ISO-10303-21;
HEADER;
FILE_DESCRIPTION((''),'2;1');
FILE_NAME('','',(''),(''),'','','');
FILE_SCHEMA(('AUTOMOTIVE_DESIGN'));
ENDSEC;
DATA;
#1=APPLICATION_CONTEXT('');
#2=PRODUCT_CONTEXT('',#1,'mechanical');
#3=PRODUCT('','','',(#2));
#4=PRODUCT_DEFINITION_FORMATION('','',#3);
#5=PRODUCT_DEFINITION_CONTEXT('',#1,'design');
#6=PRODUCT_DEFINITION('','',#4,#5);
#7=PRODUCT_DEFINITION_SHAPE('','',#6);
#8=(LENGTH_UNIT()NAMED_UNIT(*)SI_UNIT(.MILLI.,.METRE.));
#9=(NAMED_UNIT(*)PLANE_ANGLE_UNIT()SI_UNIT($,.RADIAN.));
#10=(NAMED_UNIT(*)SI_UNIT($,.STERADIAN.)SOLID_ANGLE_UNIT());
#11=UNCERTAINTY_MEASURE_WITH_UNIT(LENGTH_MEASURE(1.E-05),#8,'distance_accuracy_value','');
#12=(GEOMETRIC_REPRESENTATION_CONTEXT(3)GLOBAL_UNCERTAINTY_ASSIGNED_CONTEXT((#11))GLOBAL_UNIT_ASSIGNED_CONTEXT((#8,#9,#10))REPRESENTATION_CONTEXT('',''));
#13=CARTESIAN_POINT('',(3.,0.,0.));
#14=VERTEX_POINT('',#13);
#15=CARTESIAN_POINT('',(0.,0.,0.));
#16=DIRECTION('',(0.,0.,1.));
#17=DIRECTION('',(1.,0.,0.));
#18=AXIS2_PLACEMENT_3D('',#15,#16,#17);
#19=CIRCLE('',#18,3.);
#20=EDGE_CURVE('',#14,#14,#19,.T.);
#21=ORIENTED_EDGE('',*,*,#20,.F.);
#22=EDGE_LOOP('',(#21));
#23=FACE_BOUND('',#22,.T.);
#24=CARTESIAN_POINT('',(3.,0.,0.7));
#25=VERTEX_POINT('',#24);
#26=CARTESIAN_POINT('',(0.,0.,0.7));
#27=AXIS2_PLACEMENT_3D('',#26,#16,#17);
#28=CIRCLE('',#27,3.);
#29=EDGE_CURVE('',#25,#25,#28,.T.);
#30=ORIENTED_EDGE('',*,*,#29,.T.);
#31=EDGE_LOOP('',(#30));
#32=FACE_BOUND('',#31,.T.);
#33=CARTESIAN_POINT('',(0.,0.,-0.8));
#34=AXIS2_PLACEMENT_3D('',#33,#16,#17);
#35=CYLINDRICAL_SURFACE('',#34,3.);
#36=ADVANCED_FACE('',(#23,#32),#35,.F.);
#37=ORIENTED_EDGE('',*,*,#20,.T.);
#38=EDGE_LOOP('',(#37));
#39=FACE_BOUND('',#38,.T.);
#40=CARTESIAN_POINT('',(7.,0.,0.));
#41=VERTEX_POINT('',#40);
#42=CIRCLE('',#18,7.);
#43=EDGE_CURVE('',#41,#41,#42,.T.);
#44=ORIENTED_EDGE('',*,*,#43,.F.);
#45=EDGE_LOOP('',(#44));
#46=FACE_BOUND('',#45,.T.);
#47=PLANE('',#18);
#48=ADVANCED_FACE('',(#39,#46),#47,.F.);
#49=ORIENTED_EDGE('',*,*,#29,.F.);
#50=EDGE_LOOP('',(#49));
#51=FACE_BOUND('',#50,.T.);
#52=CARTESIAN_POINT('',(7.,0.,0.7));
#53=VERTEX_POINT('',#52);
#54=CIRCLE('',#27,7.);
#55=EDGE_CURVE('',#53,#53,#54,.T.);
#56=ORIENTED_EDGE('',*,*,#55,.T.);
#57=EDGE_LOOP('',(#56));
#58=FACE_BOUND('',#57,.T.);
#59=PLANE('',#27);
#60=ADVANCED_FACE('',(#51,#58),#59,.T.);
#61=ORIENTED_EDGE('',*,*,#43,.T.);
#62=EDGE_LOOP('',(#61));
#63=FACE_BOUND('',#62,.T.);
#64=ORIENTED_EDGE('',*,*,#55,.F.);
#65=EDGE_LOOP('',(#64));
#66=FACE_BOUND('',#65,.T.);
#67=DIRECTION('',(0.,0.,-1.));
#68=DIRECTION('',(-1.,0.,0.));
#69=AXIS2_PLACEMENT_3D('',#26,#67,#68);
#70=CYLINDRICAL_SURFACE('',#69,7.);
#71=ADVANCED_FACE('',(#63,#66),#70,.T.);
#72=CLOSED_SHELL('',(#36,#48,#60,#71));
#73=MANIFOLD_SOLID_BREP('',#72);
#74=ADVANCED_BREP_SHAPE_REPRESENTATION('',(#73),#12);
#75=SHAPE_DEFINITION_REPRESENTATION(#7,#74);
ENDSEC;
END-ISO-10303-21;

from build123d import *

# Parameters (mm, degrees)
ESQUISSE1_R             = 7
BOSS_EXTRU_1_DEPTH      = 0.7
ESQUISSE2_R             = 3
ENL_V_MAT_EXTRU_1_DEPTH = 1.5


with BuildPart() as part:
    # Esquisse1 → Boss.-Extru.1 (new body)
    with BuildSketch(Plane.XY):
        Circle(ESQUISSE1_R)
    extrude(amount=BOSS_EXTRU_1_DEPTH)

    # Esquisse2 → Enlèv. mat.-Extru.1 (cut)
    with BuildSketch(Plane.XY.offset(0.7)):
        Circle(ESQUISSE2_R)
    extrude(amount=-ENL_V_MAT_EXTRU_1_DEPTH, mode=Mode.SUBTRACT)


solid = part.part
